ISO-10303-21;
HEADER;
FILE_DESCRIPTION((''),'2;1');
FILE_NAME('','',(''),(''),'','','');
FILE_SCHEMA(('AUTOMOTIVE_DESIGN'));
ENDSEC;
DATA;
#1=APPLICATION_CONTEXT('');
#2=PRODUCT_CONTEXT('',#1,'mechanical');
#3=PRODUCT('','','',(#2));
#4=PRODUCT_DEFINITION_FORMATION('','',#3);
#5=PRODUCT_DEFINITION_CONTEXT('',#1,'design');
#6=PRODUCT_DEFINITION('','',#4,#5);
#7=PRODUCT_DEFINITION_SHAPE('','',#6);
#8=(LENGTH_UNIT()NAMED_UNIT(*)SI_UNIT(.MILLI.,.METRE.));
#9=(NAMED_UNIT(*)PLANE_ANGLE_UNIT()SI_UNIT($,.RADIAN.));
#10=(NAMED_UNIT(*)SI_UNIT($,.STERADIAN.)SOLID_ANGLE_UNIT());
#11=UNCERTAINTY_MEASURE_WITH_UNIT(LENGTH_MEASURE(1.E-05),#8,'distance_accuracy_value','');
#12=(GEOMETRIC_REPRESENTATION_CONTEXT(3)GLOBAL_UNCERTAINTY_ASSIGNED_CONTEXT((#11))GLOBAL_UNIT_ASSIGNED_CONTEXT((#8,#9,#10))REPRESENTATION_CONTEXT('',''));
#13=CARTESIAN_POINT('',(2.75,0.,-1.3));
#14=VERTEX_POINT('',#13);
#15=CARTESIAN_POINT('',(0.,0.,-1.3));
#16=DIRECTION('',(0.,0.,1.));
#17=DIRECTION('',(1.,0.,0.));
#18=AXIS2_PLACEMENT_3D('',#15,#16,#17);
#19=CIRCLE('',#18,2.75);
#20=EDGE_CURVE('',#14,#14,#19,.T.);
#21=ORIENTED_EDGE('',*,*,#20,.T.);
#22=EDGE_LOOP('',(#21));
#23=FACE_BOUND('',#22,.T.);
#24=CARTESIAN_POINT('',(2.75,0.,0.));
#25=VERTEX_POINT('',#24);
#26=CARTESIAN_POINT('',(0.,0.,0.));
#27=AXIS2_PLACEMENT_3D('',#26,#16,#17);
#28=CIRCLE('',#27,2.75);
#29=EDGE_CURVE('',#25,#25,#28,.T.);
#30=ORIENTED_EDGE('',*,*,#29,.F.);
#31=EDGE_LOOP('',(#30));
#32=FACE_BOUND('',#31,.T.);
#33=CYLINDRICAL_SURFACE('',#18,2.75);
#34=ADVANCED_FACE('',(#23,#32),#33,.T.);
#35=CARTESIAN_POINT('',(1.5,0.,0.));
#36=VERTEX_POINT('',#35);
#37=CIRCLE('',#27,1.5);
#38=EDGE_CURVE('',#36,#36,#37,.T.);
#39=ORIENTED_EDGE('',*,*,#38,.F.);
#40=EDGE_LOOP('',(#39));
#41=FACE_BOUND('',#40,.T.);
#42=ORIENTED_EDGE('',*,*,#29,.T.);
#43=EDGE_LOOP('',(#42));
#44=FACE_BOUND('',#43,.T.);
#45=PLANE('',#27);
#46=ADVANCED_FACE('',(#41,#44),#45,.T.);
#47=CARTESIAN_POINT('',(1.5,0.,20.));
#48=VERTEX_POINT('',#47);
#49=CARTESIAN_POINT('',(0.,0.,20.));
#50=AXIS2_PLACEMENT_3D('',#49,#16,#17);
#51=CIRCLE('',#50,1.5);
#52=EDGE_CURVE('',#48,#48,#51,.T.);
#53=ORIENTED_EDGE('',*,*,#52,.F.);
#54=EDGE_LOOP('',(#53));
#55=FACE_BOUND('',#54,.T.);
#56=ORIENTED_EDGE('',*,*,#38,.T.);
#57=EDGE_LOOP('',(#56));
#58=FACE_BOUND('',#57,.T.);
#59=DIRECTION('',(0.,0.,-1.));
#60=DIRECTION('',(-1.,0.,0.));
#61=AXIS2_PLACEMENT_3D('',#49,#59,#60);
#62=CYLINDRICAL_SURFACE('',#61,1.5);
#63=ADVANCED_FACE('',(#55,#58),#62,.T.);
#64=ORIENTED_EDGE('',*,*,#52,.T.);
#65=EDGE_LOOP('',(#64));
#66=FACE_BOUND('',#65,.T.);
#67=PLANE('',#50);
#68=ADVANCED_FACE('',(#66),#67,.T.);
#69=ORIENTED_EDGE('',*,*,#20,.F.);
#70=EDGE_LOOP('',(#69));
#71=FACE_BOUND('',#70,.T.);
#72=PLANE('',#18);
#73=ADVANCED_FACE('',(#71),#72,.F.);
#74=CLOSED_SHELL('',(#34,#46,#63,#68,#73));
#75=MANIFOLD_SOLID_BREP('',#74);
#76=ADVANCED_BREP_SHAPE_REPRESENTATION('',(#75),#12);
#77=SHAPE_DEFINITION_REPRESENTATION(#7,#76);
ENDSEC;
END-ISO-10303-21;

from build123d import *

# Parameters (mm, degrees)
ESQUISSE1_R        = 1.5
BOSS_EXTRU_1_DEPTH = 20
ESQUISSE2_R        = 2.75
BOSS_EXTRU_2_DEPTH = 1.3


with BuildPart() as part:
    # Esquisse1 → Boss.-Extru.1 (new body)
    with BuildSketch(Plane.XY):
        Circle(ESQUISSE1_R)
    extrude(amount=BOSS_EXTRU_1_DEPTH)

    # Esquisse2 → Boss.-Extru.2 (add)
    with BuildSketch(Plane.XY):
        Circle(ESQUISSE2_R)
    extrude(amount=-BOSS_EXTRU_2_DEPTH)


solid = part.part
